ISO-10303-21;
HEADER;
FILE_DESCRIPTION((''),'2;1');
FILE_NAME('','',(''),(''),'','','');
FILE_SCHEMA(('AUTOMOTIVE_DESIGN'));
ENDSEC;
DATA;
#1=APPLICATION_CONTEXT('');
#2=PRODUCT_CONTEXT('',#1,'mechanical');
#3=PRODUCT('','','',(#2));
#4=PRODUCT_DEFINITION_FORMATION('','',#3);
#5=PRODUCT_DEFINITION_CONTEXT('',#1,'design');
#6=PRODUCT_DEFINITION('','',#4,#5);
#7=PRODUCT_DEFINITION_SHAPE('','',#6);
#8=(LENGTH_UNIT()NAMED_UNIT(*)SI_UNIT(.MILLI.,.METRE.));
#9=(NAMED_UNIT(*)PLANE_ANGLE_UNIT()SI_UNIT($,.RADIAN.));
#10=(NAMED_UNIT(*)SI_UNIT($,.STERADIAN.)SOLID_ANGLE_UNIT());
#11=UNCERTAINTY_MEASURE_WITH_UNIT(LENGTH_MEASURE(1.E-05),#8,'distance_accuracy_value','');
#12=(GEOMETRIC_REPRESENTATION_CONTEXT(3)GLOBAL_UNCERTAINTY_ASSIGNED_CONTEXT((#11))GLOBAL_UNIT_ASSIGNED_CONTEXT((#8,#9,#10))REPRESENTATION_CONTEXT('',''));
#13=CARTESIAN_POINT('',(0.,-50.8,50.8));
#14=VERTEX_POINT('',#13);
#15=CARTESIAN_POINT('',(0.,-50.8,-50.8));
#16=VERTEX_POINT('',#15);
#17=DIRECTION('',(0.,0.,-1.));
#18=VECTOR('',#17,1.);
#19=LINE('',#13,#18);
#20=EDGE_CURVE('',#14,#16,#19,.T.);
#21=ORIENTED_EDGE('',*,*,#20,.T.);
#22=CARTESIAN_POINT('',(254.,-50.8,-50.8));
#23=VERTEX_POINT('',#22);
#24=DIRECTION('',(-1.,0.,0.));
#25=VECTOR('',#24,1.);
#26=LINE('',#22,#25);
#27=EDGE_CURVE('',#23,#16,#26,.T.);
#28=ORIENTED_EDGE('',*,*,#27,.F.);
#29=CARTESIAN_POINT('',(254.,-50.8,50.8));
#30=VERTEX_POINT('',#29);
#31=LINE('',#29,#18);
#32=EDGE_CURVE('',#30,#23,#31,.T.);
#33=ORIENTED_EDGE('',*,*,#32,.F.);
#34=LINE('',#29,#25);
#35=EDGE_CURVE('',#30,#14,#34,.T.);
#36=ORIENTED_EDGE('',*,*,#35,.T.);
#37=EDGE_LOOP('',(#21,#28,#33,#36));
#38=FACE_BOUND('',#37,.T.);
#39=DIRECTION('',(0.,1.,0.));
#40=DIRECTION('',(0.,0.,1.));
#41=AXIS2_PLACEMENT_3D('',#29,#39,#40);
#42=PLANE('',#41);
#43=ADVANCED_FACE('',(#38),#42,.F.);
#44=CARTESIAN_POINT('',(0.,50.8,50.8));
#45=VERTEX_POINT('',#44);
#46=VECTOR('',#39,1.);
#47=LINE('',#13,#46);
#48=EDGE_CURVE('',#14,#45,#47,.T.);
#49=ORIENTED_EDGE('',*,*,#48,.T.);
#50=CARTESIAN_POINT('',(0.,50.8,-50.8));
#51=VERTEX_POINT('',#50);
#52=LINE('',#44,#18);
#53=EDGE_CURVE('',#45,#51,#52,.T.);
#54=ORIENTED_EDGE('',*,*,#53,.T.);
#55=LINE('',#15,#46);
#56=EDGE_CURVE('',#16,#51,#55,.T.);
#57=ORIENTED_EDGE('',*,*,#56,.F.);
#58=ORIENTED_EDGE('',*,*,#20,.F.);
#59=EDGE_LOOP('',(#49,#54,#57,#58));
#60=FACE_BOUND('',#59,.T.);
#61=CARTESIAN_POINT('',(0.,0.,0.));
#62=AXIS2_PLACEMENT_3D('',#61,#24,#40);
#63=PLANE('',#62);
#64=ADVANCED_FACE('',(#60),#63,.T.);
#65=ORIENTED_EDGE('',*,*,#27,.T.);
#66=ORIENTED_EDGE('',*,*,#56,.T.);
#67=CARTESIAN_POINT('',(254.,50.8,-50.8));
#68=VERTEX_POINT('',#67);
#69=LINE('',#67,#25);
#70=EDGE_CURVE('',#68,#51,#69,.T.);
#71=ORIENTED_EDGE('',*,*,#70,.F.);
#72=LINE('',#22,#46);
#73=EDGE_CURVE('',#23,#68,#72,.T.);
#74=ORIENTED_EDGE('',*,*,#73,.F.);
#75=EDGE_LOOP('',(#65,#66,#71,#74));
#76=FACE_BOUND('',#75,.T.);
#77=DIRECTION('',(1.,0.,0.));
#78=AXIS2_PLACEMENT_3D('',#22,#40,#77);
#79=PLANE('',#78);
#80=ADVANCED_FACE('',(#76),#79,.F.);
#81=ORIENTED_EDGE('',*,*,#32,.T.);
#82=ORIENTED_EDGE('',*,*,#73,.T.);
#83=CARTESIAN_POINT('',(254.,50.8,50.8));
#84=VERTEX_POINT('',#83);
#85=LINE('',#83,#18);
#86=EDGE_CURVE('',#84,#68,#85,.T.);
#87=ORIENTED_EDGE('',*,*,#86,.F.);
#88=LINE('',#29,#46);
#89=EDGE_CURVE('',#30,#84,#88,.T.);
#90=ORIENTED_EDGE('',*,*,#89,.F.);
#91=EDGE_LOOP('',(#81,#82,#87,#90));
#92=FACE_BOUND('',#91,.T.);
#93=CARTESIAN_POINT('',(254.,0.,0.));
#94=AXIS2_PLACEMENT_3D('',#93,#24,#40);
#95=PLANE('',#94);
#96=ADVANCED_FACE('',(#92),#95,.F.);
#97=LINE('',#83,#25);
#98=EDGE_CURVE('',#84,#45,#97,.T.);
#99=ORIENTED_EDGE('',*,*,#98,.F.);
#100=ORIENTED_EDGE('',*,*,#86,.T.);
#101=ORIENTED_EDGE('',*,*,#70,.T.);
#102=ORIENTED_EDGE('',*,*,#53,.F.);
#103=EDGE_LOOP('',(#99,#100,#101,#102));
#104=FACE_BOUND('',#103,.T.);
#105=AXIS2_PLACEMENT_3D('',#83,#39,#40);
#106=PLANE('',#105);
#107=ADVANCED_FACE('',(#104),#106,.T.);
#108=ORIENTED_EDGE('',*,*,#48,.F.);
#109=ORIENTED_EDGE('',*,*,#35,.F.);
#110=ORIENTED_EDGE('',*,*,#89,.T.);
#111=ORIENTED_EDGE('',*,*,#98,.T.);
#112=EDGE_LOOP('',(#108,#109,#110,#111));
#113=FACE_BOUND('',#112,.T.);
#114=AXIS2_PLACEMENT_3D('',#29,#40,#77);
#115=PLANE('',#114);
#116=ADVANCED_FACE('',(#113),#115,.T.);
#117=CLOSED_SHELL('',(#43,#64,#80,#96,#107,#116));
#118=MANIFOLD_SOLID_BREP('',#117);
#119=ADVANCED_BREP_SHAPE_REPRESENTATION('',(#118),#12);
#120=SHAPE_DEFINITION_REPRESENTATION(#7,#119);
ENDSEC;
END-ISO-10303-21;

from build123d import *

# Parameters (mm, degrees)
SKETCH1_W           = 101.6
SKETCH1_H           = 101.6
BOSS_EXTRUDE1_DEPTH = 254


with BuildPart() as part:
    # Sketch1 → Boss-Extrude1 (new body)
    with BuildSketch(Plane(origin=(0, 0, 0), x_dir=(0, 0, -1), z_dir=(1, 0, 0))):
        Rectangle(SKETCH1_W, SKETCH1_H)
    extrude(amount=BOSS_EXTRUDE1_DEPTH)


solid = part.part
